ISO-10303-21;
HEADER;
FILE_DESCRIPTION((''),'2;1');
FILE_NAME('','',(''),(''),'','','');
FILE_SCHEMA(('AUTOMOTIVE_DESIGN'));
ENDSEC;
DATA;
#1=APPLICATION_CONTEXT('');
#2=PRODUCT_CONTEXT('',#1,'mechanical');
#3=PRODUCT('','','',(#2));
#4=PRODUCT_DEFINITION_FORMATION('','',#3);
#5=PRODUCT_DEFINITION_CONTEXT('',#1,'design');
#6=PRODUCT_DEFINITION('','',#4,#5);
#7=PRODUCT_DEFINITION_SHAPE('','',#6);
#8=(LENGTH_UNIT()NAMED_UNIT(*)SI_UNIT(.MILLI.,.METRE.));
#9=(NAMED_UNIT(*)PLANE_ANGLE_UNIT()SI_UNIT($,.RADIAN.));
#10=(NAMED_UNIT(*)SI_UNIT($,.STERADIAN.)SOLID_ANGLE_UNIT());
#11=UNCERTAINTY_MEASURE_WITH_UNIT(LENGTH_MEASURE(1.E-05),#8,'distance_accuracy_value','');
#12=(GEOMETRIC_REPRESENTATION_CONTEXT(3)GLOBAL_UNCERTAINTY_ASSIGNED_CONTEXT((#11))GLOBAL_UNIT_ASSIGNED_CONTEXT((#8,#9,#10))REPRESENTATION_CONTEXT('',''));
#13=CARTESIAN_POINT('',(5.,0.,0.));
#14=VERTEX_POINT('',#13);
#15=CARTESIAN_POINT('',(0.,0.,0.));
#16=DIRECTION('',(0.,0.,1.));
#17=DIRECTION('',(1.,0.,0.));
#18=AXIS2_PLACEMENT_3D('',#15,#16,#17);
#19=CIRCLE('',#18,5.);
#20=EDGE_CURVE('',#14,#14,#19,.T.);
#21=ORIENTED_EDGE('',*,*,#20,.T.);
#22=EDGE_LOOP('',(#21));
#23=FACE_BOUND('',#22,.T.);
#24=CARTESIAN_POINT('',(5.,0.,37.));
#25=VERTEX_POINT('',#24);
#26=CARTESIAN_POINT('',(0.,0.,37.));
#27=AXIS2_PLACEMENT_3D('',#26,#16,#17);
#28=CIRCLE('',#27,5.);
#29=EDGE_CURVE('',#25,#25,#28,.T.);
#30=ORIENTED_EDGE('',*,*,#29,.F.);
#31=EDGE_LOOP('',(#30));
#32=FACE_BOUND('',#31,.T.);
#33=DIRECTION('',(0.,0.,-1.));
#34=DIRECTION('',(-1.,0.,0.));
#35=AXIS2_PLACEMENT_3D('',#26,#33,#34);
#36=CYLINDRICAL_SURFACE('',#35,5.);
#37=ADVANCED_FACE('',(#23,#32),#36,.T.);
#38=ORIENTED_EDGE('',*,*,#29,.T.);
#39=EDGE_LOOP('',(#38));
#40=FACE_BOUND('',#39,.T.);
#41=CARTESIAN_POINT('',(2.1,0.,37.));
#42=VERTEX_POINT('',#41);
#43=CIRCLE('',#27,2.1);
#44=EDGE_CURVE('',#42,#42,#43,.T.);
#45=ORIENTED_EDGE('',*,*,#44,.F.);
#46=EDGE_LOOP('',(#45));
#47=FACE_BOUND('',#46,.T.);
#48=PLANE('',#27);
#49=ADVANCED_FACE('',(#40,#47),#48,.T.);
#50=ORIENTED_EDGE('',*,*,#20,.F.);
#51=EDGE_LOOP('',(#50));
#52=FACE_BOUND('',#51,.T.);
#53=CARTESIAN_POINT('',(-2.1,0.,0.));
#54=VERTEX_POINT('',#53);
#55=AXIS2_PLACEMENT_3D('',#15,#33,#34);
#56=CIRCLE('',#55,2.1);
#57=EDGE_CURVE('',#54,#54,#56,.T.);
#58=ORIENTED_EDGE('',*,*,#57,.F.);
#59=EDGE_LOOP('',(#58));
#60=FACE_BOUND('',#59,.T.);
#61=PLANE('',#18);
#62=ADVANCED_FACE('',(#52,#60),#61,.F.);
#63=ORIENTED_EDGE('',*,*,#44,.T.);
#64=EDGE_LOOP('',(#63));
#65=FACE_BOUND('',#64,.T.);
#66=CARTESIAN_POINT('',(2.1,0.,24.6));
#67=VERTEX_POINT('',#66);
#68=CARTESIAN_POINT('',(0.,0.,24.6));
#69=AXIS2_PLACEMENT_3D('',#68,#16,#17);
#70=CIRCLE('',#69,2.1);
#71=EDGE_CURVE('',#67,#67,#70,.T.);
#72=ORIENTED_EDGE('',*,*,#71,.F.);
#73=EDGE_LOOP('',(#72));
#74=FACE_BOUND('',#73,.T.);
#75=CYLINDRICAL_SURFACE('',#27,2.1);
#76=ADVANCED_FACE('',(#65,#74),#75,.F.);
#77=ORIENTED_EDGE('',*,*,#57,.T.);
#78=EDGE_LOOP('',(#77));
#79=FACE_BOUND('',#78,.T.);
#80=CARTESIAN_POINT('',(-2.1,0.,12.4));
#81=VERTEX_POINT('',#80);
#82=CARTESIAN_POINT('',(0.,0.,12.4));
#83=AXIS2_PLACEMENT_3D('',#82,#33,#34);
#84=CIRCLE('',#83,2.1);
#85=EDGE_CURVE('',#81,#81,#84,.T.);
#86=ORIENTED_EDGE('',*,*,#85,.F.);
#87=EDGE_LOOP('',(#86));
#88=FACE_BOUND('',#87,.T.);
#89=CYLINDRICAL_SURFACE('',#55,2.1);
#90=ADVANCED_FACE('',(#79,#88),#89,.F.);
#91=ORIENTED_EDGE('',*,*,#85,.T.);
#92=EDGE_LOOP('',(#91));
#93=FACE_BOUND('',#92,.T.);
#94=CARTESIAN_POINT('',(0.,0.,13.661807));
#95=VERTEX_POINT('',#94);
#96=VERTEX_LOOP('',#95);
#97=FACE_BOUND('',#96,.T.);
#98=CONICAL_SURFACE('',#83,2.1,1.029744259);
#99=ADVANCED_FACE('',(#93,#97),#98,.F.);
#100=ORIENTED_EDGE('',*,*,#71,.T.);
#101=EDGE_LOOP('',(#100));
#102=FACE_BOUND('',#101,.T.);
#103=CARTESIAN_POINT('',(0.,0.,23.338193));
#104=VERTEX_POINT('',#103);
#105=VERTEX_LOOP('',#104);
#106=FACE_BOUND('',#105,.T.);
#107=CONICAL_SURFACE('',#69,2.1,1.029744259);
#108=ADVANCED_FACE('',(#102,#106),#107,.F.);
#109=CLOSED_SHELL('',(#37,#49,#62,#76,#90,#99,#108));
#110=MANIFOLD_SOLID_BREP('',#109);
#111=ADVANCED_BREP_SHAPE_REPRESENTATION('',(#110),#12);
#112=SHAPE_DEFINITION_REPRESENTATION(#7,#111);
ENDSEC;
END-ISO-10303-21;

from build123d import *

# Parameters (mm, degrees)
SKETCH_1_R             = 5
EXTRUDE_1_DEPTH        = 37
HOLE_WIZARD_M5_1_D     = 4.2
HOLE_WIZARD_M5_1_DEPTH = 12.4
HOLE_WIZARD_M5_1_TIP   = 1.2618073
HOLE_WIZARD_M5_2_D     = 4.2
HOLE_WIZARD_M5_2_DEPTH = 12.4
HOLE_WIZARD_M5_2_TIP   = 1.2618073


with BuildPart() as part:
    # 草图1 → 凸台-拉伸1 (new body)
    with BuildSketch(Plane.XY):
        Circle(SKETCH_1_R)
    extrude(amount=EXTRUDE_1_DEPTH)

    # M5 螺纹孔1
    with Locations(Plane.XY.offset(37)):
        with Locations((0, 0)):
            Hole(HOLE_WIZARD_M5_1_D / 2, depth=HOLE_WIZARD_M5_1_DEPTH)
            with Locations((0, 0, -(HOLE_WIZARD_M5_1_DEPTH + HOLE_WIZARD_M5_1_TIP / 2))):  # 118° drill point
                Cone(0, HOLE_WIZARD_M5_1_D / 2, HOLE_WIZARD_M5_1_TIP, mode=Mode.SUBTRACT)

    # M5 螺纹孔2
    with Locations(Plane(origin=(0, 0, 0), x_dir=(-1, 0, 0), z_dir=(0, 0, -1))):
        with Locations((0, 0)):
            Hole(HOLE_WIZARD_M5_2_D / 2, depth=HOLE_WIZARD_M5_2_DEPTH)
            with Locations((0, 0, -(HOLE_WIZARD_M5_2_DEPTH + HOLE_WIZARD_M5_2_TIP / 2))):  # 118° drill point
                Cone(0, HOLE_WIZARD_M5_2_D / 2, HOLE_WIZARD_M5_2_TIP, mode=Mode.SUBTRACT)


solid = part.part
